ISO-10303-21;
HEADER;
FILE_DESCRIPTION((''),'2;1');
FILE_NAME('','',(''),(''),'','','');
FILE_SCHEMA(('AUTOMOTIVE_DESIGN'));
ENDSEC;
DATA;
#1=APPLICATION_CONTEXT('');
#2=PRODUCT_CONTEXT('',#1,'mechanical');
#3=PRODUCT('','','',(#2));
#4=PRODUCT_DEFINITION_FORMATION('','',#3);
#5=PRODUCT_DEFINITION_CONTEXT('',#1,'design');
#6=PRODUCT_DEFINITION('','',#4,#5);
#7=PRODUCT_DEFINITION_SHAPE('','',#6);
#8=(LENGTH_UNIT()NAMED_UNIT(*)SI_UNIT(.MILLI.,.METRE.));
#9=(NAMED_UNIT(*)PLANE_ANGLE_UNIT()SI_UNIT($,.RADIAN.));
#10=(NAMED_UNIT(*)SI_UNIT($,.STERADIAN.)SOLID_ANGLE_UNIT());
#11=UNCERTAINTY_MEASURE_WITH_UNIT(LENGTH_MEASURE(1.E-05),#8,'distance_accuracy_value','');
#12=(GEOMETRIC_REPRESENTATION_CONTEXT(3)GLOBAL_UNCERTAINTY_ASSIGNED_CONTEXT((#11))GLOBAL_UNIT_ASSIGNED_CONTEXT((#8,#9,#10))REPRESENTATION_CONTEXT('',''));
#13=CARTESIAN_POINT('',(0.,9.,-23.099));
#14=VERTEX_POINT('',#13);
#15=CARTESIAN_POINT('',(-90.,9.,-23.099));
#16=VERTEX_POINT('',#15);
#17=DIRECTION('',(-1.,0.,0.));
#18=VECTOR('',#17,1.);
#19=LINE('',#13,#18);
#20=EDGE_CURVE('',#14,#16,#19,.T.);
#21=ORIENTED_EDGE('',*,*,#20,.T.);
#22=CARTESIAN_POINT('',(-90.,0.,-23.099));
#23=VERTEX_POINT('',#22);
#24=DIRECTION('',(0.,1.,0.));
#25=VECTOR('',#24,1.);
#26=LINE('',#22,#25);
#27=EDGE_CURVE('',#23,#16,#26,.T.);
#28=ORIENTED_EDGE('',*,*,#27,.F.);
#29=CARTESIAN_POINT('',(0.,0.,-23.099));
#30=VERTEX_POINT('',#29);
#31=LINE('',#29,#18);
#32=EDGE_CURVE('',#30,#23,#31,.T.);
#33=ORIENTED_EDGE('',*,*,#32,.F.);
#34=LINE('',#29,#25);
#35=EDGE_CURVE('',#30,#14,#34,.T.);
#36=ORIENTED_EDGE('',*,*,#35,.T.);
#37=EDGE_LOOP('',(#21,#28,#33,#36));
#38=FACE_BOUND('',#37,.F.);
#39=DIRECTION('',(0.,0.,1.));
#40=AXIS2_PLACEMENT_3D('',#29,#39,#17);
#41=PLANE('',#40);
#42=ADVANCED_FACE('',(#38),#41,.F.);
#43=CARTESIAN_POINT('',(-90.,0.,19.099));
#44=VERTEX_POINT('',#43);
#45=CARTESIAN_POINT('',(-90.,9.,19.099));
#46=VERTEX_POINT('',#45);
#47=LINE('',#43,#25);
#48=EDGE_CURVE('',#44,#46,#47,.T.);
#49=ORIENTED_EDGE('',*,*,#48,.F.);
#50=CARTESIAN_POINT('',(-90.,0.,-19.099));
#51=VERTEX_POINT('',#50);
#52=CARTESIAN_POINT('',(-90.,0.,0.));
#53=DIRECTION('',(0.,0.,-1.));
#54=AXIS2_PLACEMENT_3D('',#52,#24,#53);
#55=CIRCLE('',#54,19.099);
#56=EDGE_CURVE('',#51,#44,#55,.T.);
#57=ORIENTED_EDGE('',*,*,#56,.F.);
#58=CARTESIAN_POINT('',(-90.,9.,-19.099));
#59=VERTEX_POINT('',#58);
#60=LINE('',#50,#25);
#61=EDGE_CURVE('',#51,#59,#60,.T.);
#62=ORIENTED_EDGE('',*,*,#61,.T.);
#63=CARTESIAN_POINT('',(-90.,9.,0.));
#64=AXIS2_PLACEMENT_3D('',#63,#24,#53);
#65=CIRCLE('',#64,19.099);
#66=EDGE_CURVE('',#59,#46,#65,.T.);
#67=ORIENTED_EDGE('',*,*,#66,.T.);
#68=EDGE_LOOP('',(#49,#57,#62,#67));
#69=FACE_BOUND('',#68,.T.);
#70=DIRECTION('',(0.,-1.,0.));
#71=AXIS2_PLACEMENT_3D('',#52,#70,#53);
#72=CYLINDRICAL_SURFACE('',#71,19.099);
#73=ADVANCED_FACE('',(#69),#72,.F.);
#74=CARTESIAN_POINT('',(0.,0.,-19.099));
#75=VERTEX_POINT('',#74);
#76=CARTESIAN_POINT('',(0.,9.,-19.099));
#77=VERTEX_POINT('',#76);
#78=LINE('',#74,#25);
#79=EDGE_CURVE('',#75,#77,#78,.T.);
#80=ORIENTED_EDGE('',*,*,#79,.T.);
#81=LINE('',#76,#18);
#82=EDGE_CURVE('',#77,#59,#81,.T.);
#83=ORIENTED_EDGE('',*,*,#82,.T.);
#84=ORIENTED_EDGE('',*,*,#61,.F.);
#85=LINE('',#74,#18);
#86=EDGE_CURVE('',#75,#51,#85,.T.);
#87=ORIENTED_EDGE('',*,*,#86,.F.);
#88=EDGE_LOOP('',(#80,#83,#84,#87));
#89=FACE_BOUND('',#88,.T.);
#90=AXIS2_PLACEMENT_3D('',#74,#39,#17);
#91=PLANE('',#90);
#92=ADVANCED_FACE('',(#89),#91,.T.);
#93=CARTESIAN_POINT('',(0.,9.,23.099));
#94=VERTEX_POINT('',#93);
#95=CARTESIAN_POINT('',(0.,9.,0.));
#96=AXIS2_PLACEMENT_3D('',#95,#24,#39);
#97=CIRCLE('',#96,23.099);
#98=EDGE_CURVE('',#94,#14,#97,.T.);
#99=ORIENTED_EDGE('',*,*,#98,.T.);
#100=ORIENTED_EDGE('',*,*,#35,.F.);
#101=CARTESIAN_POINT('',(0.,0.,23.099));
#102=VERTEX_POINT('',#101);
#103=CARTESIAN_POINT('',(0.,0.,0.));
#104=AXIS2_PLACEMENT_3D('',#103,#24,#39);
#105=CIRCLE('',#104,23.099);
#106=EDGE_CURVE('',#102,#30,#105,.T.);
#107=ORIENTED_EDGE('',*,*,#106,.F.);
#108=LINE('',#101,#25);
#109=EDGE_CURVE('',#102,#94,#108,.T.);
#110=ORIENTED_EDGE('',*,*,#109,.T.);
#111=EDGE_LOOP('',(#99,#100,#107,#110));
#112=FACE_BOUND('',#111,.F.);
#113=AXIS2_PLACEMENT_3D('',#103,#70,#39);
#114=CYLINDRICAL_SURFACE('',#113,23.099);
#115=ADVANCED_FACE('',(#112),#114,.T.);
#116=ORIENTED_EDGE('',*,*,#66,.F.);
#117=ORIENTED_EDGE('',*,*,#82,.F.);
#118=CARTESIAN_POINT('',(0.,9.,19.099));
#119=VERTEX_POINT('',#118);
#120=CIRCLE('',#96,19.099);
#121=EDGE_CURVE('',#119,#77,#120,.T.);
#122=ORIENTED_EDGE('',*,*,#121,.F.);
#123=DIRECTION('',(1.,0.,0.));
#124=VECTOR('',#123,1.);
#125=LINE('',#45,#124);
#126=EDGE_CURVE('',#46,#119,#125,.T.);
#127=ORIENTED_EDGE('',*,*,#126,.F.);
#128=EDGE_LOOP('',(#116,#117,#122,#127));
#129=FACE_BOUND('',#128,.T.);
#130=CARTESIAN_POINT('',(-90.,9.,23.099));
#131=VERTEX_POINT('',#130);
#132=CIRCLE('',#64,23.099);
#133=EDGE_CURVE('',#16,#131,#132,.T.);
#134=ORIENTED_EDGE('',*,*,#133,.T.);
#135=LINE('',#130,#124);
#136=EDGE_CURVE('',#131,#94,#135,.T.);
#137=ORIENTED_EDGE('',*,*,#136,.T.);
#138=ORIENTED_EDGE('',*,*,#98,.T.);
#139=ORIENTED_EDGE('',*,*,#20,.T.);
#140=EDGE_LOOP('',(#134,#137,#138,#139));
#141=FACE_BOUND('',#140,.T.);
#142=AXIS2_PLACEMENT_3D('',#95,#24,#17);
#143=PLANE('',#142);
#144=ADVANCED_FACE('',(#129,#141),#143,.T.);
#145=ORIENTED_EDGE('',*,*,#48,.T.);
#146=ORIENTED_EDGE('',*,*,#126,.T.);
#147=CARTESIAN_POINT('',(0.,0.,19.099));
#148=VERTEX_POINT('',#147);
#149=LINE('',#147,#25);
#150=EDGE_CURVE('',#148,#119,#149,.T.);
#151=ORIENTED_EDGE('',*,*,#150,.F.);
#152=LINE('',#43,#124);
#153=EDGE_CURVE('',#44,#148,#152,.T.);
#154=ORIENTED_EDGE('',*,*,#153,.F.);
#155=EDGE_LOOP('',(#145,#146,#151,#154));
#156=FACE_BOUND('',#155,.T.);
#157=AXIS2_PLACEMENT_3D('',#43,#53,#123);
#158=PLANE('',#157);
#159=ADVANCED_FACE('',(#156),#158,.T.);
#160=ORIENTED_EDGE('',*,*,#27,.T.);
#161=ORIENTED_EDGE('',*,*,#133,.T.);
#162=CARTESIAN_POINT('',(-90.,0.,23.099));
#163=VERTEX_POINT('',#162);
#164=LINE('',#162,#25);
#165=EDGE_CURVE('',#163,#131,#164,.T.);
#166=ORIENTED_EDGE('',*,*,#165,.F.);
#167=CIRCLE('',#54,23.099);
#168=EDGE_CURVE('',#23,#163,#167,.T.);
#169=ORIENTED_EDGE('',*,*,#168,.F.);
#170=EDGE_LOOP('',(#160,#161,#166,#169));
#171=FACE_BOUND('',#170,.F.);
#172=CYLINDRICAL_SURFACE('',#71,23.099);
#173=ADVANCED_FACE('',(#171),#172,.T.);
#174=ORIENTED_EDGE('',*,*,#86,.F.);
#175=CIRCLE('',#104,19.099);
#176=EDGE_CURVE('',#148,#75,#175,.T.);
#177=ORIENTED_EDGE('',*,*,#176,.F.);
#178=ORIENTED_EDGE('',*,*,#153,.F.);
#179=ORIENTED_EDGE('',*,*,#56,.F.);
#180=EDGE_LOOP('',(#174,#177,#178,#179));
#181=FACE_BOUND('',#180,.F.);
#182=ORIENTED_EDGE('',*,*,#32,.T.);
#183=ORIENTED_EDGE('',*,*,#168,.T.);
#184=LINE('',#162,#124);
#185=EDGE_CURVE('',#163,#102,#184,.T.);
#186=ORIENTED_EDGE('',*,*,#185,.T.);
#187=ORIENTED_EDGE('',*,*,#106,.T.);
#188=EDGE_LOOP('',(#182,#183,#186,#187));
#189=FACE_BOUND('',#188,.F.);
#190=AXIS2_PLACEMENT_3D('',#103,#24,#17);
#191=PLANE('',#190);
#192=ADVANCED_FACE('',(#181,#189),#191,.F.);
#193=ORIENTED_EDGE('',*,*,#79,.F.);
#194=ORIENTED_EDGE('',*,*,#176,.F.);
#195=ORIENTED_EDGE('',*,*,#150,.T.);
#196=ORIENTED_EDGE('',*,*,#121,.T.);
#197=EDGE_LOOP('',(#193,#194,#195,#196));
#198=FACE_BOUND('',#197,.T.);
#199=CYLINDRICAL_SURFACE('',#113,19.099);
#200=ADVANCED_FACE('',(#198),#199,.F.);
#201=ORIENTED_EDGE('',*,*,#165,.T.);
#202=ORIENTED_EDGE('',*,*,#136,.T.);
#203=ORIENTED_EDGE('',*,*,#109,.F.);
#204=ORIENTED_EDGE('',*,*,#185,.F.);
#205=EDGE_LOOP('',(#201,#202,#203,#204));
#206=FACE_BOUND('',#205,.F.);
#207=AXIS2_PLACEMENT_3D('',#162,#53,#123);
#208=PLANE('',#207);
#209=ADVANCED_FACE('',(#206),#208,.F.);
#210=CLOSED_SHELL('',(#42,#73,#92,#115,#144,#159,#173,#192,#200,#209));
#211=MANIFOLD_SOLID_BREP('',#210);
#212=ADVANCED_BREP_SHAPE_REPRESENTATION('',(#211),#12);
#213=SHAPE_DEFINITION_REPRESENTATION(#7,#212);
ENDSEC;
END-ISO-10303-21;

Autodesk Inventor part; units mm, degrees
ref_plane "YZ Plane" through (0, 0, 0) normal (1, 0, 0) x (0, 1, 0)
ref_plane "XZ Plane" through (0, 0, 0) normal (0, 1, 0) x (-1, 0, 0)
ref_plane "XY Plane" through (0, 0, 0) normal (0, 0, 1) x (1, 0, 0)
sketch "Sketch1" plane through (0, 0, 0) normal (0, 1, 0) x (-1, 0, 0)
  line L0 (0, 0) -> (90, 0) construction
  line L1 (0, -19.099) -> (90, -19.099)
  line L2 (90, 19.099) -> (0, 19.099)
  arc A0 (0, 19.099) -> (0, -19.099) centre (0, 0) ccw
  arc A1 (90, -19.099) -> (90, 19.099) centre (90, 0) ccw
  line L3 (90, 23.099) -> (0, 23.099)
  arc A2 (0, 23.099) -> (0, -23.099) centre (0, 0) ccw
  line L4 (0, -23.099) -> (90, -23.099)
  arc A3 (90, -23.099) -> (90, 23.099) centre (90, 0) ccw
  point P0 (45, 0)
  dimension "d0" = 90
  dimension "d1" = 38.198
  dimension "d2" = 4
extrude "Extrusion1" add sketch "Sketch1" along normal blind 9
properties part number "70 Tooth Belt Around 36 Tooth Pulleys"
